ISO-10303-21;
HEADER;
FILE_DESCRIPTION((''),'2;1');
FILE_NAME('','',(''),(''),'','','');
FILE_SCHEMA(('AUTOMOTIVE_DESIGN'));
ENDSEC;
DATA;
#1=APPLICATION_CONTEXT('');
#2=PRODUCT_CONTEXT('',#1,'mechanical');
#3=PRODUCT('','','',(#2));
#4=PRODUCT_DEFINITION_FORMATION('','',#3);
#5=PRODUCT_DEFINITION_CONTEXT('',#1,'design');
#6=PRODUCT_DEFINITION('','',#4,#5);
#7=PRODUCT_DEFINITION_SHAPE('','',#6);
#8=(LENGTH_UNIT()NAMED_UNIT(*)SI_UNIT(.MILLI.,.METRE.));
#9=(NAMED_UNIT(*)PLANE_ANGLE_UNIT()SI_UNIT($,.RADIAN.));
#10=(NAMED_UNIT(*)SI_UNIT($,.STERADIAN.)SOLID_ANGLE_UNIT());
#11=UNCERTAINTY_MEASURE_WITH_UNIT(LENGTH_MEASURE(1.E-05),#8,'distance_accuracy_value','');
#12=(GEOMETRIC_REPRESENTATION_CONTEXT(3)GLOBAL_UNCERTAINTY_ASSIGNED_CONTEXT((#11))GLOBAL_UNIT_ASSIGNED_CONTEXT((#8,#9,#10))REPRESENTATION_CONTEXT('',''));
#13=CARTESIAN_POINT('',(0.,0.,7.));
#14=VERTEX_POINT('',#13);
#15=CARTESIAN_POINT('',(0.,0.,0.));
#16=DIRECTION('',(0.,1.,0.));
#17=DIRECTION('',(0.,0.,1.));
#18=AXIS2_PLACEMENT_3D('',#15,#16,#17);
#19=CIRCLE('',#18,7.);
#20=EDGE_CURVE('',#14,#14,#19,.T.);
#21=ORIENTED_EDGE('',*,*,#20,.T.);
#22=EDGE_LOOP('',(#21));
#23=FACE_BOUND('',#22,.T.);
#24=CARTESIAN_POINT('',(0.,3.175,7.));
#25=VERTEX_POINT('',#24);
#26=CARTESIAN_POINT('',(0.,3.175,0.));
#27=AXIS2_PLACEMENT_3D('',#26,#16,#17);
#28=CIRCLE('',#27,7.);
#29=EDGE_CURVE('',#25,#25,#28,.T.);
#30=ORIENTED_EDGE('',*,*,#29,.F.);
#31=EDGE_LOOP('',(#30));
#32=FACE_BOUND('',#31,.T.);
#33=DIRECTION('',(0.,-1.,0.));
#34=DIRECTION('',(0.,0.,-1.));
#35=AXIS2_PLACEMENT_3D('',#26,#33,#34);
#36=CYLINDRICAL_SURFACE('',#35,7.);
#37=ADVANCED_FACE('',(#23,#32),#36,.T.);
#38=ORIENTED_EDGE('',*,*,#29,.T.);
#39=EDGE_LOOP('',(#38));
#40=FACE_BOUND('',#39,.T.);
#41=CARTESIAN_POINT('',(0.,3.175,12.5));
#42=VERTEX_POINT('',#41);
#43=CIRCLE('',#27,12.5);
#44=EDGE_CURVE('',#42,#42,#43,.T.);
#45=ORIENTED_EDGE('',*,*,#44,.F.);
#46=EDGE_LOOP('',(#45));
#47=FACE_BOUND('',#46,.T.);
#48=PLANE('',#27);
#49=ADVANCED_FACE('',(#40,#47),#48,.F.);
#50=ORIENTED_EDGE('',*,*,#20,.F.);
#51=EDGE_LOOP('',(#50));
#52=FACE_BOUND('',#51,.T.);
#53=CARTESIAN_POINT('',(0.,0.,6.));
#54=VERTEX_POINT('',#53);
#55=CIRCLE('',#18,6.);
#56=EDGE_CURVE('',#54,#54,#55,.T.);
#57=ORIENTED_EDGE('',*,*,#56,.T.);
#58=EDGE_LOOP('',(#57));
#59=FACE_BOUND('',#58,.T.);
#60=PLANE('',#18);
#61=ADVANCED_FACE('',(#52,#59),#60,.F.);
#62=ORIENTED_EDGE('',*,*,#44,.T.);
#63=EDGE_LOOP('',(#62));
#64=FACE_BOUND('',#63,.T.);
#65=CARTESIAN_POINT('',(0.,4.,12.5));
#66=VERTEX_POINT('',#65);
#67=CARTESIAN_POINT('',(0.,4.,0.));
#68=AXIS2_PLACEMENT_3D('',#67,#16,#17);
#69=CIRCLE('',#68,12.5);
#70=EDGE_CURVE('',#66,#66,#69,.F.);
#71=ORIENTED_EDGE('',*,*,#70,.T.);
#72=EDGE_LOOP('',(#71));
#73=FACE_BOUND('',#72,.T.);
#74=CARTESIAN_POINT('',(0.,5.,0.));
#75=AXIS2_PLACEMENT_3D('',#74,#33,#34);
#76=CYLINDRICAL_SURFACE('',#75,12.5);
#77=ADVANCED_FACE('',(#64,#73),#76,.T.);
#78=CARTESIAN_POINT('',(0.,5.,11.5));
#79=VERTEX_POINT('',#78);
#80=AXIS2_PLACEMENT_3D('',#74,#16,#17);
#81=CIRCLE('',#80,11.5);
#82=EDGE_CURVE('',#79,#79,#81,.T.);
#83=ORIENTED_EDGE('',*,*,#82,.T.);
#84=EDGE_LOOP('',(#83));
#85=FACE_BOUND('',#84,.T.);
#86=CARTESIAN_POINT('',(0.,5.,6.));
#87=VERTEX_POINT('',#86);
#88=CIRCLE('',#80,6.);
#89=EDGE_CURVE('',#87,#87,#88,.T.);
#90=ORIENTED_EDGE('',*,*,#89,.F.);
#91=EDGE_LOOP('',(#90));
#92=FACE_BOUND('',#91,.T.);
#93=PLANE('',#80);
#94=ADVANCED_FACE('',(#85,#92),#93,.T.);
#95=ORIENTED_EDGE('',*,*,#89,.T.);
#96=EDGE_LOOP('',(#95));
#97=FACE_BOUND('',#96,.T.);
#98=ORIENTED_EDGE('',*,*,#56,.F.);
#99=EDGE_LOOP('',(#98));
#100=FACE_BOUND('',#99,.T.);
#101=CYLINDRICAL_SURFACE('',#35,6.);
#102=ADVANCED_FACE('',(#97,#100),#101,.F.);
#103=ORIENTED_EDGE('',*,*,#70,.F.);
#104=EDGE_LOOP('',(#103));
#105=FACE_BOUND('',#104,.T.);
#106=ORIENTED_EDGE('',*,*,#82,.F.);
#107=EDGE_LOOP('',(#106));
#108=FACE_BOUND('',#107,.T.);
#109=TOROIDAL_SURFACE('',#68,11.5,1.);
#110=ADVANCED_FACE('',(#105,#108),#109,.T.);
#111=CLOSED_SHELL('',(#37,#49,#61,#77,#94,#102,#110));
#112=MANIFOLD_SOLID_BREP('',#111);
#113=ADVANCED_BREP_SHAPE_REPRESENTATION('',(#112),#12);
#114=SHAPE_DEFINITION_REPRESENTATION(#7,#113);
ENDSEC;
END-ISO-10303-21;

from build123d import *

# Parameters (mm, degrees)
SKETCH1_R           = 7
SKETCH1_R_2         = 6
BOSS_EXTRUDE1_DEPTH = 3.175
SKETCH2_R           = 12.5
SKETCH2_R_2         = 6
BOSS_EXTRUDE2_DEPTH = 1.825
FILLET1_R           = 1


with BuildPart() as part:
    # Sketch1 → Boss-Extrude1 (new body)
    with BuildSketch(Plane(origin=(0, 0, 0), x_dir=(1, 0, 0), z_dir=(0, 1, 0))):
        Circle(SKETCH1_R)
        Circle(SKETCH1_R_2, mode=Mode.SUBTRACT)
    extrude(amount=BOSS_EXTRUDE1_DEPTH)

    # Sketch2 → Boss-Extrude2 (add)
    with BuildSketch(Plane(origin=(0, 3.175, 0), x_dir=(1, 0, 0), z_dir=(0, 1, 0))):
        Circle(SKETCH2_R)
        Circle(SKETCH2_R_2, mode=Mode.SUBTRACT)
    extrude(amount=BOSS_EXTRUDE2_DEPTH)

    # Fillet1
    fillet1_edges = [part.edges().sort_by_distance(p)[0] for p in [
        (-12.5, 5, 0),
    ]]
    fillet(fillet1_edges, radius=FILLET1_R)


solid = part.part
